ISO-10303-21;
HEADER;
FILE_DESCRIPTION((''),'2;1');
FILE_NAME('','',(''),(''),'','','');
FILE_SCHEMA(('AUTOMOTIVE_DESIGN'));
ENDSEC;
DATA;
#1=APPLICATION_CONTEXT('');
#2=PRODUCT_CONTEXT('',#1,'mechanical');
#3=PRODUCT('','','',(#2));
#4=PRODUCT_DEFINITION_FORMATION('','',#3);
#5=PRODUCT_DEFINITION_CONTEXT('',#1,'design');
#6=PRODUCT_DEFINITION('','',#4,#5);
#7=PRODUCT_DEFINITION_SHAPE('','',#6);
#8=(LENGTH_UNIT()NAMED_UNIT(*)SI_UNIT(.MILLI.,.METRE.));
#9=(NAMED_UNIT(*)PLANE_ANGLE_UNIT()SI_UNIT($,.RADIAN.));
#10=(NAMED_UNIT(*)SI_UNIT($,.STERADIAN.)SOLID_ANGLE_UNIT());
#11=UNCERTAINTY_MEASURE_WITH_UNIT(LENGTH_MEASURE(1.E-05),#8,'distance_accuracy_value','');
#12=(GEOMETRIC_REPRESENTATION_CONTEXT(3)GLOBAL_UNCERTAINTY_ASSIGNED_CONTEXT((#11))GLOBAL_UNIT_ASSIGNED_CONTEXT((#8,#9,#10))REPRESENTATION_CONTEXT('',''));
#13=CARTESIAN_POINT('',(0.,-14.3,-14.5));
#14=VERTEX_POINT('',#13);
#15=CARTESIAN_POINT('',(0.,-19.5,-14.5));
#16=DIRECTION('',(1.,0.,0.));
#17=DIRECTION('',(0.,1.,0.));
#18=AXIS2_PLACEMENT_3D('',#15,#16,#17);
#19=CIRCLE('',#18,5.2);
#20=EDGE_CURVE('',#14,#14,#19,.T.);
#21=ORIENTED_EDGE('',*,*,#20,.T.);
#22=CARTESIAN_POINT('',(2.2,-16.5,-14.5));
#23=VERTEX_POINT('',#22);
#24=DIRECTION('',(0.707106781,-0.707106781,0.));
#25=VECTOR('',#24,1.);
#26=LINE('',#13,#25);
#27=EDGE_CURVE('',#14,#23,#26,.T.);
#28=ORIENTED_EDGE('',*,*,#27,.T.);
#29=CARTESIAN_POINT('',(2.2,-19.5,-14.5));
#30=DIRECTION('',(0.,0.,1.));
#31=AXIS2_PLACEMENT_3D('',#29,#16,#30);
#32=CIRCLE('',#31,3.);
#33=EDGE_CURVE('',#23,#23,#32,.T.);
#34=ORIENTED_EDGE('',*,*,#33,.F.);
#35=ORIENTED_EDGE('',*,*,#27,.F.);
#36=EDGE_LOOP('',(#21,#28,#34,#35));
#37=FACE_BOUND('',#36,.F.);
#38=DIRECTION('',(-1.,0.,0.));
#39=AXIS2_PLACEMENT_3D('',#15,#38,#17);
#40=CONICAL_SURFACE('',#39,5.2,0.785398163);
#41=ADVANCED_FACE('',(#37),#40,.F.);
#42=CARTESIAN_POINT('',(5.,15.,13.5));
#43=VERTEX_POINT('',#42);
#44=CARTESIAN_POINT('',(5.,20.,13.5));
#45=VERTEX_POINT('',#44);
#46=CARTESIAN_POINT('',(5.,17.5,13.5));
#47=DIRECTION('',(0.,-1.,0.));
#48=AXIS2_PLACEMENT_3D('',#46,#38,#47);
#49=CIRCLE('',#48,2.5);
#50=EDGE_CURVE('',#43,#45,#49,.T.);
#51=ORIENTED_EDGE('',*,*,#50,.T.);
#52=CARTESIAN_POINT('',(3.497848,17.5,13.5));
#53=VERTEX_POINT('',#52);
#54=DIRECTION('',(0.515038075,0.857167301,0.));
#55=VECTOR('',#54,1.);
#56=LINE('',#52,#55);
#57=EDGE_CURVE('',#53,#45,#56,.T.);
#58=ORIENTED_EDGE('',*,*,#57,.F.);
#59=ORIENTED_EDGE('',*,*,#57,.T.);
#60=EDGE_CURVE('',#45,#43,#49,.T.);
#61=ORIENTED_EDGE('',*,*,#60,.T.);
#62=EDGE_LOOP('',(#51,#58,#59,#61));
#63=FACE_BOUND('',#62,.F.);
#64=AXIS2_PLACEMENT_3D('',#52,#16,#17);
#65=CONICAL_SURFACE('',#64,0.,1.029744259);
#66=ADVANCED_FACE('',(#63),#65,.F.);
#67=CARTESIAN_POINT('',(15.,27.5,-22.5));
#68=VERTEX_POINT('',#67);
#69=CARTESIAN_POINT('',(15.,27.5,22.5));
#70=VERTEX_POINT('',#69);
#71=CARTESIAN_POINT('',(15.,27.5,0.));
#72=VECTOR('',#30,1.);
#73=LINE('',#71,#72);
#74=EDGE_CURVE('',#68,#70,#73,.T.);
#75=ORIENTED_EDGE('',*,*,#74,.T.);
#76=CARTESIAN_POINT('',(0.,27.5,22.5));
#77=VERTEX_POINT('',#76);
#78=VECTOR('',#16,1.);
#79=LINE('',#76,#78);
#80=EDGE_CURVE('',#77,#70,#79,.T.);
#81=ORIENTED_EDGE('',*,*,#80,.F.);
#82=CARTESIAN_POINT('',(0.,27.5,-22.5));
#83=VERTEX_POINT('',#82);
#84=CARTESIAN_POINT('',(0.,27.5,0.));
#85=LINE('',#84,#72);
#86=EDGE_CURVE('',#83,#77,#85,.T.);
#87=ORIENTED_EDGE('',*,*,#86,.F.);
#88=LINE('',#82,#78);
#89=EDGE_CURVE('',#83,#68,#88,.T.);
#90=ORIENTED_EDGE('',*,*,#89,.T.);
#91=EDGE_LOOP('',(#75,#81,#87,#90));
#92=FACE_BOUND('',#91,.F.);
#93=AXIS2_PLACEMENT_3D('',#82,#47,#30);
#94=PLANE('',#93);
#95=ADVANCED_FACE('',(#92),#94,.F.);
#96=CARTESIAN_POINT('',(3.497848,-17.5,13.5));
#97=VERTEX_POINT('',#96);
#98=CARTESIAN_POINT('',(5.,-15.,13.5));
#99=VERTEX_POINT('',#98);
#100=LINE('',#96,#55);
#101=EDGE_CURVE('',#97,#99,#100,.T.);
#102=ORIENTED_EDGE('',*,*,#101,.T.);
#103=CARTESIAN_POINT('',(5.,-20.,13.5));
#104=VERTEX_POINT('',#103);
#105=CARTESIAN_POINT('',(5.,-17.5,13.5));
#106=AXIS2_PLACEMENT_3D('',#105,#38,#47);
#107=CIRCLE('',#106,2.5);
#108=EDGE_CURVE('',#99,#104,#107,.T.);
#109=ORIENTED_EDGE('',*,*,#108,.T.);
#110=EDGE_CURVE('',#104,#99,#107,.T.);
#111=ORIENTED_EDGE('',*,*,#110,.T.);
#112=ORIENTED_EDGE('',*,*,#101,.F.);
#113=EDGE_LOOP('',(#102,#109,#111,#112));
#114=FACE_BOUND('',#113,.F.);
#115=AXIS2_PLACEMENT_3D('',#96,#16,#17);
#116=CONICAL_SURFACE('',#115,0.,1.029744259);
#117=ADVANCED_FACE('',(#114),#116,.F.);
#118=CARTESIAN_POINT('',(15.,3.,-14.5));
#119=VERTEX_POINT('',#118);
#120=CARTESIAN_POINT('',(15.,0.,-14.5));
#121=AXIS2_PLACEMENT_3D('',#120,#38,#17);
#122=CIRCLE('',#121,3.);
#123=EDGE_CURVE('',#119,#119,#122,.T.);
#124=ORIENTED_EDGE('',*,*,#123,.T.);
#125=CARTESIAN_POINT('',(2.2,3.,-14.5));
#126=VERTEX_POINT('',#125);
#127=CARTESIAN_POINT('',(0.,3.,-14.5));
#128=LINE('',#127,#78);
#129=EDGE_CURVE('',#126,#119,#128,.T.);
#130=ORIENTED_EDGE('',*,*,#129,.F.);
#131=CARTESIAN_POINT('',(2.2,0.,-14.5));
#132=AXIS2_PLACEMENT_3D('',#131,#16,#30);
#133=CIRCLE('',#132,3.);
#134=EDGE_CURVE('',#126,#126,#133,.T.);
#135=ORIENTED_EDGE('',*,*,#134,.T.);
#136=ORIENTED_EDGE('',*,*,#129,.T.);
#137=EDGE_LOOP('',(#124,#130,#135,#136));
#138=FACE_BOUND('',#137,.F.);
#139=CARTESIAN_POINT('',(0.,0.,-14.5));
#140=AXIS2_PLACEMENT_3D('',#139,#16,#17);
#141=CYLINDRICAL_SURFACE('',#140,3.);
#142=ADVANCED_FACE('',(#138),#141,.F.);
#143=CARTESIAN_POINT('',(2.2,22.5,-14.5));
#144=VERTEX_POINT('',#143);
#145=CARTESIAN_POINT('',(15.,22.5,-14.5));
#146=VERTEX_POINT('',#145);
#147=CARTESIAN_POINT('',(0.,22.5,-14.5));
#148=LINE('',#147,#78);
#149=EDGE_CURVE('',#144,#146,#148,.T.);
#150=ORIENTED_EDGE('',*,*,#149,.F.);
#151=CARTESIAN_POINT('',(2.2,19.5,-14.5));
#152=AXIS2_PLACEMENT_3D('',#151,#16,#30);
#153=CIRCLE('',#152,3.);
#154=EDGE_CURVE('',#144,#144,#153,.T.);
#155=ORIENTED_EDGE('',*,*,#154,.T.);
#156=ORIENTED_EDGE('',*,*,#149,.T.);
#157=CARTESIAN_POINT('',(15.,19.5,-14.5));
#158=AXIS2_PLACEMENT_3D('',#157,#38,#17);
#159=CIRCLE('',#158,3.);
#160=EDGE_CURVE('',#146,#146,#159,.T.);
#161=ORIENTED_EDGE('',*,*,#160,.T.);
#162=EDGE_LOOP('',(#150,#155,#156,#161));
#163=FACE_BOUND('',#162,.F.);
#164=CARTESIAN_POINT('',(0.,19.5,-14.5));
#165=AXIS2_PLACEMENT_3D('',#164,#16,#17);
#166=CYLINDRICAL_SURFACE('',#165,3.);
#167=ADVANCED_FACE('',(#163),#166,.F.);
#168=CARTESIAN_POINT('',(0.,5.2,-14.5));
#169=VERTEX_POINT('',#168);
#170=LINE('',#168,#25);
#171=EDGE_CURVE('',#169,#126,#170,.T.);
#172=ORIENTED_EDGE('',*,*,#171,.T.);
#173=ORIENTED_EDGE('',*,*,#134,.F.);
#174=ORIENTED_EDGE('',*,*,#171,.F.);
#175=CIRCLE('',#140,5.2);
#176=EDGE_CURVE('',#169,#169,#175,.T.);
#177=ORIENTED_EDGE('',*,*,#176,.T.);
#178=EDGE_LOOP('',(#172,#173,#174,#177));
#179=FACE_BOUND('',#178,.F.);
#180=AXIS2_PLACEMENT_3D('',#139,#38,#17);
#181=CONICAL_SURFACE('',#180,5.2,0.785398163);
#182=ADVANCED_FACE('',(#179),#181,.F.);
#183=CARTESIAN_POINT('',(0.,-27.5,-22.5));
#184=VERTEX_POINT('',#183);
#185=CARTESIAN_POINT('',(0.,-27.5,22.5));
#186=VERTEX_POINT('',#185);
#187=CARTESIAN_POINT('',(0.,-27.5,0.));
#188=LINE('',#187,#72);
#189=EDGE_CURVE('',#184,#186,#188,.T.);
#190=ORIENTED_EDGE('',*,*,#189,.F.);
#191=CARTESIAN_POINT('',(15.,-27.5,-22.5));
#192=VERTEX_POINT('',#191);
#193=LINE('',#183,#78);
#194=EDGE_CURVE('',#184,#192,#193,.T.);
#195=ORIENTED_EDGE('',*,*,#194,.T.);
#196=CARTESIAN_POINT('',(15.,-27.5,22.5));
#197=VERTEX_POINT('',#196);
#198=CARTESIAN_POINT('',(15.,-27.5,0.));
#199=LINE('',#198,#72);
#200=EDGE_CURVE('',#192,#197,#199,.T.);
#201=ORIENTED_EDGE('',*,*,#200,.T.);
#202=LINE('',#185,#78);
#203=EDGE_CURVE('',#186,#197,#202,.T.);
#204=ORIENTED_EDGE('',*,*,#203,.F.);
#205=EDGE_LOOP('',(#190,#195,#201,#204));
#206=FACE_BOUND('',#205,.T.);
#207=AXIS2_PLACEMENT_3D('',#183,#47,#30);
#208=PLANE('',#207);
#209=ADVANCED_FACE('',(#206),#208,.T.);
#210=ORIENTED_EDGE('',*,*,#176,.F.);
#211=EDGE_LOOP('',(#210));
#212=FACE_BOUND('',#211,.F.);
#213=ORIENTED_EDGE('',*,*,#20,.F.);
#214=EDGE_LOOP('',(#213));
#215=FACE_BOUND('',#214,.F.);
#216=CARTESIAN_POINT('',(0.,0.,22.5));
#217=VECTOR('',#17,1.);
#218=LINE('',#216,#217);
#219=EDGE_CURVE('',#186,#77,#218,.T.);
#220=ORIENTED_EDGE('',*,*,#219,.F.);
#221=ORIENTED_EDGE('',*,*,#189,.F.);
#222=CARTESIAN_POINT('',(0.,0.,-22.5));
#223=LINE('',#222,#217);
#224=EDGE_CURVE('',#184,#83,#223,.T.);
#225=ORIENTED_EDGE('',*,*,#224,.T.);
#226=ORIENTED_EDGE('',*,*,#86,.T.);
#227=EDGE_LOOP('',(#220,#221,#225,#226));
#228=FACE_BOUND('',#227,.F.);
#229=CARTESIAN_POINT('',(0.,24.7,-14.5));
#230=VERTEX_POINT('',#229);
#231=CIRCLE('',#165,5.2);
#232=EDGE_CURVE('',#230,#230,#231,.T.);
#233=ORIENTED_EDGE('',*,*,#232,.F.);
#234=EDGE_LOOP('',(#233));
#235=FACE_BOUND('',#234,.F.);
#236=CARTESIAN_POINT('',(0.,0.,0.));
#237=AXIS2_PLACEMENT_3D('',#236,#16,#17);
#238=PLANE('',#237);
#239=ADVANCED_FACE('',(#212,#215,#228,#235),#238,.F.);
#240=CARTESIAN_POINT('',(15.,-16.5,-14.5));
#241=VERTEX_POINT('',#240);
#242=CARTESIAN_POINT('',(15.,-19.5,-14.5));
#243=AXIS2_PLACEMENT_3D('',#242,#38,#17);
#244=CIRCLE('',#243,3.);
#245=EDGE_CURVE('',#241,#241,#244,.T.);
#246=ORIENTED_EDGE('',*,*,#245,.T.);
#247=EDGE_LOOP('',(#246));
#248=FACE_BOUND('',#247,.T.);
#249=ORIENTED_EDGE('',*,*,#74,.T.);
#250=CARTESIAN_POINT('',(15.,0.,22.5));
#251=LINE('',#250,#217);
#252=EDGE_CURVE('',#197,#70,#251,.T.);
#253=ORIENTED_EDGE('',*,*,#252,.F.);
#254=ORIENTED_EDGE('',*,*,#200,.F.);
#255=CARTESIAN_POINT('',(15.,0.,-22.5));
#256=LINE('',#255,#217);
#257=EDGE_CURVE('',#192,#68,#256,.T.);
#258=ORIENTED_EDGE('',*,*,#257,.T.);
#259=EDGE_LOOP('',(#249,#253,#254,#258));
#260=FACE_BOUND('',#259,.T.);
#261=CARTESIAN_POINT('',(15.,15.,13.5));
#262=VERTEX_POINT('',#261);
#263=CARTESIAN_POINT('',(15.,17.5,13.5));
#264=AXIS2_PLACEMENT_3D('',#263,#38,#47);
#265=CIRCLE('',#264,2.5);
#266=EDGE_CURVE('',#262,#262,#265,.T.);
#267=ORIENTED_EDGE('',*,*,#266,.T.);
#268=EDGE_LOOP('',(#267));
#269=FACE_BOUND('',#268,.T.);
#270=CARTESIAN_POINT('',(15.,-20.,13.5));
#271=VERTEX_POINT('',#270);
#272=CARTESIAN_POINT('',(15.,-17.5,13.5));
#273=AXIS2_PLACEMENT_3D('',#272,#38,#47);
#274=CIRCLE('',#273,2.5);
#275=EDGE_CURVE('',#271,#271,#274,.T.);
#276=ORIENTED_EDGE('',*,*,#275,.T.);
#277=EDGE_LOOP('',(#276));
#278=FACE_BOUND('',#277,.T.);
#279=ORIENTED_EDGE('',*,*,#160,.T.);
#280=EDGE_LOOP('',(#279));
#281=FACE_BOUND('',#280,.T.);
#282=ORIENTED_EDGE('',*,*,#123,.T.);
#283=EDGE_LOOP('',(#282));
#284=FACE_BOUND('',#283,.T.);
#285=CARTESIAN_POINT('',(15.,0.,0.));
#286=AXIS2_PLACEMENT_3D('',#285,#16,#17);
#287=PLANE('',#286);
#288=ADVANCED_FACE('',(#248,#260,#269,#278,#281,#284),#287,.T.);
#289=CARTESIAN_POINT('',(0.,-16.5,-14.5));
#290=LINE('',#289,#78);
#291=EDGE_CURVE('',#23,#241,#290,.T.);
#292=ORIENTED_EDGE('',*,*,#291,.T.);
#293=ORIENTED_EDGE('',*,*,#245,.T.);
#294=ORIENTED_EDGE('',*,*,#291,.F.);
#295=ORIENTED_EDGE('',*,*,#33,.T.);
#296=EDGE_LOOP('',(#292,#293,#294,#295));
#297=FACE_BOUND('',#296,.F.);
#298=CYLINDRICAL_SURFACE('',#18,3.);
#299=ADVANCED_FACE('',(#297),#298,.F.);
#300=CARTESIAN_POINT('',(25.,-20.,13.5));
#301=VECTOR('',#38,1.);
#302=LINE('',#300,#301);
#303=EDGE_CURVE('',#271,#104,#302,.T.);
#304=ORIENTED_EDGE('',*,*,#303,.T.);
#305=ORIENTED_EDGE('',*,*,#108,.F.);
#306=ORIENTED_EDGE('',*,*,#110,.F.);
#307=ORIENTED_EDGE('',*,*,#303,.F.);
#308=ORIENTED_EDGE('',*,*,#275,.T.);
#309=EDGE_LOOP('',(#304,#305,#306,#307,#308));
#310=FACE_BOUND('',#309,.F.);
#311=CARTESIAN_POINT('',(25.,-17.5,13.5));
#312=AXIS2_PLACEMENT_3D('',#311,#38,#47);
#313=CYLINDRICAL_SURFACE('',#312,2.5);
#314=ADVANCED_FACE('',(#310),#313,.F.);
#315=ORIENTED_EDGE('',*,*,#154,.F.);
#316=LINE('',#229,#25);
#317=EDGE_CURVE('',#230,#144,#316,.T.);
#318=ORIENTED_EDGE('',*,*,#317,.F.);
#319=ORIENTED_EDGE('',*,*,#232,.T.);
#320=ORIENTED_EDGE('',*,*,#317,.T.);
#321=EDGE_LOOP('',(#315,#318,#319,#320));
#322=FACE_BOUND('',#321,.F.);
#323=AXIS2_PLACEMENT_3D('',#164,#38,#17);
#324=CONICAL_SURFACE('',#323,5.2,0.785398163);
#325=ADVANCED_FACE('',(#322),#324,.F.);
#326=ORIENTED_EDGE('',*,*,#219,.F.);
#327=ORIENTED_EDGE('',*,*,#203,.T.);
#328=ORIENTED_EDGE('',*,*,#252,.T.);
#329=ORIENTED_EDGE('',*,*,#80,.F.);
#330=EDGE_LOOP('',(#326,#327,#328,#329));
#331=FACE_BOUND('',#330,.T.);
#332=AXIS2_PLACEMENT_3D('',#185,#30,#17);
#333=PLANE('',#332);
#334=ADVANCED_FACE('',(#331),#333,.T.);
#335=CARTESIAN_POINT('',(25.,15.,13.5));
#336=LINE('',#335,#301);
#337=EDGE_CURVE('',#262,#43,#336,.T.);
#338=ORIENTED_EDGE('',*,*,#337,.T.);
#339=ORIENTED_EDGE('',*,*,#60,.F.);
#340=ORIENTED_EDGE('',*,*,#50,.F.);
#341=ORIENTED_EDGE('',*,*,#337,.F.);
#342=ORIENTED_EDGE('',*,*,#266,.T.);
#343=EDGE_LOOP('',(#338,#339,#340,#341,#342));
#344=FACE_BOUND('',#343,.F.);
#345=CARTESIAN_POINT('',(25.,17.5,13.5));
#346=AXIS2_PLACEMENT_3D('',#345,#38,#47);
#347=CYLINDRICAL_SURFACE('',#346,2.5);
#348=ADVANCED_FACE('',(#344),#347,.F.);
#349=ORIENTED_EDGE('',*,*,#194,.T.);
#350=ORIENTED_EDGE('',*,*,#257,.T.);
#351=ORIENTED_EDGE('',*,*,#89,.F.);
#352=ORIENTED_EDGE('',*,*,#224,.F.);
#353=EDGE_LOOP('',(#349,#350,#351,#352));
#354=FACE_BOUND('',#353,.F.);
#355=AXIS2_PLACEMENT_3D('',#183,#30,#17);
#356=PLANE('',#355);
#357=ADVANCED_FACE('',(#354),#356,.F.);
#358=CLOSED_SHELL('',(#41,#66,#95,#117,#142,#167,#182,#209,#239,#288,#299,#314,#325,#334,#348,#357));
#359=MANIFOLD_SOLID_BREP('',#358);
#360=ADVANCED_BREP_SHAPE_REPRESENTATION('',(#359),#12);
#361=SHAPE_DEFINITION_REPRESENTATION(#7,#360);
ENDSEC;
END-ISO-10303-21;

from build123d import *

# Parameters (mm, degrees)
F0_W           = 55
F0_H           = 45
F1_DEPTH       = 15
F4_D           = 6
F4_DEPTH       = 15
F4_CSINK_D     = 10.4
F4_CSINK_ANGLE = 90
F4_TIP         = 1.8025818571
F5_D           = 5
F5_DEPTH       = 10
F5_TIP         = 1.5021515476


with BuildPart() as f1:
    # F0 (on Right) → F1 (new body)
    with BuildSketch(Plane.YZ):
        Rectangle(F0_W, F0_H)
    extrude(amount=F1_DEPTH)

    # F4
    with Locations(Plane(origin=(0, 0, 0), x_dir=(0, -1, 0), z_dir=(-1, 0, 0))):
        with Locations((-19.5, -14.5), (0, -14.5), (19.5, -14.5)):
            CounterSinkHole(F4_D / 2, F4_CSINK_D / 2, depth=F4_DEPTH, counter_sink_angle=F4_CSINK_ANGLE)
            with Locations((0, 0, -(F4_DEPTH + F4_TIP / 2))):  # 118° drill point
                Cone(0, F4_D / 2, F4_TIP, mode=Mode.SUBTRACT)

    # F5
    with Locations(Plane.YZ.offset(15)):
        with Locations((-17.5, 13.5), (17.5, 13.5)):
            Hole(F5_D / 2, depth=F5_DEPTH)
            with Locations((0, 0, -(F5_DEPTH + F5_TIP / 2))):  # 118° drill point
                Cone(0, F5_D / 2, F5_TIP, mode=Mode.SUBTRACT)


solid = f1.part
